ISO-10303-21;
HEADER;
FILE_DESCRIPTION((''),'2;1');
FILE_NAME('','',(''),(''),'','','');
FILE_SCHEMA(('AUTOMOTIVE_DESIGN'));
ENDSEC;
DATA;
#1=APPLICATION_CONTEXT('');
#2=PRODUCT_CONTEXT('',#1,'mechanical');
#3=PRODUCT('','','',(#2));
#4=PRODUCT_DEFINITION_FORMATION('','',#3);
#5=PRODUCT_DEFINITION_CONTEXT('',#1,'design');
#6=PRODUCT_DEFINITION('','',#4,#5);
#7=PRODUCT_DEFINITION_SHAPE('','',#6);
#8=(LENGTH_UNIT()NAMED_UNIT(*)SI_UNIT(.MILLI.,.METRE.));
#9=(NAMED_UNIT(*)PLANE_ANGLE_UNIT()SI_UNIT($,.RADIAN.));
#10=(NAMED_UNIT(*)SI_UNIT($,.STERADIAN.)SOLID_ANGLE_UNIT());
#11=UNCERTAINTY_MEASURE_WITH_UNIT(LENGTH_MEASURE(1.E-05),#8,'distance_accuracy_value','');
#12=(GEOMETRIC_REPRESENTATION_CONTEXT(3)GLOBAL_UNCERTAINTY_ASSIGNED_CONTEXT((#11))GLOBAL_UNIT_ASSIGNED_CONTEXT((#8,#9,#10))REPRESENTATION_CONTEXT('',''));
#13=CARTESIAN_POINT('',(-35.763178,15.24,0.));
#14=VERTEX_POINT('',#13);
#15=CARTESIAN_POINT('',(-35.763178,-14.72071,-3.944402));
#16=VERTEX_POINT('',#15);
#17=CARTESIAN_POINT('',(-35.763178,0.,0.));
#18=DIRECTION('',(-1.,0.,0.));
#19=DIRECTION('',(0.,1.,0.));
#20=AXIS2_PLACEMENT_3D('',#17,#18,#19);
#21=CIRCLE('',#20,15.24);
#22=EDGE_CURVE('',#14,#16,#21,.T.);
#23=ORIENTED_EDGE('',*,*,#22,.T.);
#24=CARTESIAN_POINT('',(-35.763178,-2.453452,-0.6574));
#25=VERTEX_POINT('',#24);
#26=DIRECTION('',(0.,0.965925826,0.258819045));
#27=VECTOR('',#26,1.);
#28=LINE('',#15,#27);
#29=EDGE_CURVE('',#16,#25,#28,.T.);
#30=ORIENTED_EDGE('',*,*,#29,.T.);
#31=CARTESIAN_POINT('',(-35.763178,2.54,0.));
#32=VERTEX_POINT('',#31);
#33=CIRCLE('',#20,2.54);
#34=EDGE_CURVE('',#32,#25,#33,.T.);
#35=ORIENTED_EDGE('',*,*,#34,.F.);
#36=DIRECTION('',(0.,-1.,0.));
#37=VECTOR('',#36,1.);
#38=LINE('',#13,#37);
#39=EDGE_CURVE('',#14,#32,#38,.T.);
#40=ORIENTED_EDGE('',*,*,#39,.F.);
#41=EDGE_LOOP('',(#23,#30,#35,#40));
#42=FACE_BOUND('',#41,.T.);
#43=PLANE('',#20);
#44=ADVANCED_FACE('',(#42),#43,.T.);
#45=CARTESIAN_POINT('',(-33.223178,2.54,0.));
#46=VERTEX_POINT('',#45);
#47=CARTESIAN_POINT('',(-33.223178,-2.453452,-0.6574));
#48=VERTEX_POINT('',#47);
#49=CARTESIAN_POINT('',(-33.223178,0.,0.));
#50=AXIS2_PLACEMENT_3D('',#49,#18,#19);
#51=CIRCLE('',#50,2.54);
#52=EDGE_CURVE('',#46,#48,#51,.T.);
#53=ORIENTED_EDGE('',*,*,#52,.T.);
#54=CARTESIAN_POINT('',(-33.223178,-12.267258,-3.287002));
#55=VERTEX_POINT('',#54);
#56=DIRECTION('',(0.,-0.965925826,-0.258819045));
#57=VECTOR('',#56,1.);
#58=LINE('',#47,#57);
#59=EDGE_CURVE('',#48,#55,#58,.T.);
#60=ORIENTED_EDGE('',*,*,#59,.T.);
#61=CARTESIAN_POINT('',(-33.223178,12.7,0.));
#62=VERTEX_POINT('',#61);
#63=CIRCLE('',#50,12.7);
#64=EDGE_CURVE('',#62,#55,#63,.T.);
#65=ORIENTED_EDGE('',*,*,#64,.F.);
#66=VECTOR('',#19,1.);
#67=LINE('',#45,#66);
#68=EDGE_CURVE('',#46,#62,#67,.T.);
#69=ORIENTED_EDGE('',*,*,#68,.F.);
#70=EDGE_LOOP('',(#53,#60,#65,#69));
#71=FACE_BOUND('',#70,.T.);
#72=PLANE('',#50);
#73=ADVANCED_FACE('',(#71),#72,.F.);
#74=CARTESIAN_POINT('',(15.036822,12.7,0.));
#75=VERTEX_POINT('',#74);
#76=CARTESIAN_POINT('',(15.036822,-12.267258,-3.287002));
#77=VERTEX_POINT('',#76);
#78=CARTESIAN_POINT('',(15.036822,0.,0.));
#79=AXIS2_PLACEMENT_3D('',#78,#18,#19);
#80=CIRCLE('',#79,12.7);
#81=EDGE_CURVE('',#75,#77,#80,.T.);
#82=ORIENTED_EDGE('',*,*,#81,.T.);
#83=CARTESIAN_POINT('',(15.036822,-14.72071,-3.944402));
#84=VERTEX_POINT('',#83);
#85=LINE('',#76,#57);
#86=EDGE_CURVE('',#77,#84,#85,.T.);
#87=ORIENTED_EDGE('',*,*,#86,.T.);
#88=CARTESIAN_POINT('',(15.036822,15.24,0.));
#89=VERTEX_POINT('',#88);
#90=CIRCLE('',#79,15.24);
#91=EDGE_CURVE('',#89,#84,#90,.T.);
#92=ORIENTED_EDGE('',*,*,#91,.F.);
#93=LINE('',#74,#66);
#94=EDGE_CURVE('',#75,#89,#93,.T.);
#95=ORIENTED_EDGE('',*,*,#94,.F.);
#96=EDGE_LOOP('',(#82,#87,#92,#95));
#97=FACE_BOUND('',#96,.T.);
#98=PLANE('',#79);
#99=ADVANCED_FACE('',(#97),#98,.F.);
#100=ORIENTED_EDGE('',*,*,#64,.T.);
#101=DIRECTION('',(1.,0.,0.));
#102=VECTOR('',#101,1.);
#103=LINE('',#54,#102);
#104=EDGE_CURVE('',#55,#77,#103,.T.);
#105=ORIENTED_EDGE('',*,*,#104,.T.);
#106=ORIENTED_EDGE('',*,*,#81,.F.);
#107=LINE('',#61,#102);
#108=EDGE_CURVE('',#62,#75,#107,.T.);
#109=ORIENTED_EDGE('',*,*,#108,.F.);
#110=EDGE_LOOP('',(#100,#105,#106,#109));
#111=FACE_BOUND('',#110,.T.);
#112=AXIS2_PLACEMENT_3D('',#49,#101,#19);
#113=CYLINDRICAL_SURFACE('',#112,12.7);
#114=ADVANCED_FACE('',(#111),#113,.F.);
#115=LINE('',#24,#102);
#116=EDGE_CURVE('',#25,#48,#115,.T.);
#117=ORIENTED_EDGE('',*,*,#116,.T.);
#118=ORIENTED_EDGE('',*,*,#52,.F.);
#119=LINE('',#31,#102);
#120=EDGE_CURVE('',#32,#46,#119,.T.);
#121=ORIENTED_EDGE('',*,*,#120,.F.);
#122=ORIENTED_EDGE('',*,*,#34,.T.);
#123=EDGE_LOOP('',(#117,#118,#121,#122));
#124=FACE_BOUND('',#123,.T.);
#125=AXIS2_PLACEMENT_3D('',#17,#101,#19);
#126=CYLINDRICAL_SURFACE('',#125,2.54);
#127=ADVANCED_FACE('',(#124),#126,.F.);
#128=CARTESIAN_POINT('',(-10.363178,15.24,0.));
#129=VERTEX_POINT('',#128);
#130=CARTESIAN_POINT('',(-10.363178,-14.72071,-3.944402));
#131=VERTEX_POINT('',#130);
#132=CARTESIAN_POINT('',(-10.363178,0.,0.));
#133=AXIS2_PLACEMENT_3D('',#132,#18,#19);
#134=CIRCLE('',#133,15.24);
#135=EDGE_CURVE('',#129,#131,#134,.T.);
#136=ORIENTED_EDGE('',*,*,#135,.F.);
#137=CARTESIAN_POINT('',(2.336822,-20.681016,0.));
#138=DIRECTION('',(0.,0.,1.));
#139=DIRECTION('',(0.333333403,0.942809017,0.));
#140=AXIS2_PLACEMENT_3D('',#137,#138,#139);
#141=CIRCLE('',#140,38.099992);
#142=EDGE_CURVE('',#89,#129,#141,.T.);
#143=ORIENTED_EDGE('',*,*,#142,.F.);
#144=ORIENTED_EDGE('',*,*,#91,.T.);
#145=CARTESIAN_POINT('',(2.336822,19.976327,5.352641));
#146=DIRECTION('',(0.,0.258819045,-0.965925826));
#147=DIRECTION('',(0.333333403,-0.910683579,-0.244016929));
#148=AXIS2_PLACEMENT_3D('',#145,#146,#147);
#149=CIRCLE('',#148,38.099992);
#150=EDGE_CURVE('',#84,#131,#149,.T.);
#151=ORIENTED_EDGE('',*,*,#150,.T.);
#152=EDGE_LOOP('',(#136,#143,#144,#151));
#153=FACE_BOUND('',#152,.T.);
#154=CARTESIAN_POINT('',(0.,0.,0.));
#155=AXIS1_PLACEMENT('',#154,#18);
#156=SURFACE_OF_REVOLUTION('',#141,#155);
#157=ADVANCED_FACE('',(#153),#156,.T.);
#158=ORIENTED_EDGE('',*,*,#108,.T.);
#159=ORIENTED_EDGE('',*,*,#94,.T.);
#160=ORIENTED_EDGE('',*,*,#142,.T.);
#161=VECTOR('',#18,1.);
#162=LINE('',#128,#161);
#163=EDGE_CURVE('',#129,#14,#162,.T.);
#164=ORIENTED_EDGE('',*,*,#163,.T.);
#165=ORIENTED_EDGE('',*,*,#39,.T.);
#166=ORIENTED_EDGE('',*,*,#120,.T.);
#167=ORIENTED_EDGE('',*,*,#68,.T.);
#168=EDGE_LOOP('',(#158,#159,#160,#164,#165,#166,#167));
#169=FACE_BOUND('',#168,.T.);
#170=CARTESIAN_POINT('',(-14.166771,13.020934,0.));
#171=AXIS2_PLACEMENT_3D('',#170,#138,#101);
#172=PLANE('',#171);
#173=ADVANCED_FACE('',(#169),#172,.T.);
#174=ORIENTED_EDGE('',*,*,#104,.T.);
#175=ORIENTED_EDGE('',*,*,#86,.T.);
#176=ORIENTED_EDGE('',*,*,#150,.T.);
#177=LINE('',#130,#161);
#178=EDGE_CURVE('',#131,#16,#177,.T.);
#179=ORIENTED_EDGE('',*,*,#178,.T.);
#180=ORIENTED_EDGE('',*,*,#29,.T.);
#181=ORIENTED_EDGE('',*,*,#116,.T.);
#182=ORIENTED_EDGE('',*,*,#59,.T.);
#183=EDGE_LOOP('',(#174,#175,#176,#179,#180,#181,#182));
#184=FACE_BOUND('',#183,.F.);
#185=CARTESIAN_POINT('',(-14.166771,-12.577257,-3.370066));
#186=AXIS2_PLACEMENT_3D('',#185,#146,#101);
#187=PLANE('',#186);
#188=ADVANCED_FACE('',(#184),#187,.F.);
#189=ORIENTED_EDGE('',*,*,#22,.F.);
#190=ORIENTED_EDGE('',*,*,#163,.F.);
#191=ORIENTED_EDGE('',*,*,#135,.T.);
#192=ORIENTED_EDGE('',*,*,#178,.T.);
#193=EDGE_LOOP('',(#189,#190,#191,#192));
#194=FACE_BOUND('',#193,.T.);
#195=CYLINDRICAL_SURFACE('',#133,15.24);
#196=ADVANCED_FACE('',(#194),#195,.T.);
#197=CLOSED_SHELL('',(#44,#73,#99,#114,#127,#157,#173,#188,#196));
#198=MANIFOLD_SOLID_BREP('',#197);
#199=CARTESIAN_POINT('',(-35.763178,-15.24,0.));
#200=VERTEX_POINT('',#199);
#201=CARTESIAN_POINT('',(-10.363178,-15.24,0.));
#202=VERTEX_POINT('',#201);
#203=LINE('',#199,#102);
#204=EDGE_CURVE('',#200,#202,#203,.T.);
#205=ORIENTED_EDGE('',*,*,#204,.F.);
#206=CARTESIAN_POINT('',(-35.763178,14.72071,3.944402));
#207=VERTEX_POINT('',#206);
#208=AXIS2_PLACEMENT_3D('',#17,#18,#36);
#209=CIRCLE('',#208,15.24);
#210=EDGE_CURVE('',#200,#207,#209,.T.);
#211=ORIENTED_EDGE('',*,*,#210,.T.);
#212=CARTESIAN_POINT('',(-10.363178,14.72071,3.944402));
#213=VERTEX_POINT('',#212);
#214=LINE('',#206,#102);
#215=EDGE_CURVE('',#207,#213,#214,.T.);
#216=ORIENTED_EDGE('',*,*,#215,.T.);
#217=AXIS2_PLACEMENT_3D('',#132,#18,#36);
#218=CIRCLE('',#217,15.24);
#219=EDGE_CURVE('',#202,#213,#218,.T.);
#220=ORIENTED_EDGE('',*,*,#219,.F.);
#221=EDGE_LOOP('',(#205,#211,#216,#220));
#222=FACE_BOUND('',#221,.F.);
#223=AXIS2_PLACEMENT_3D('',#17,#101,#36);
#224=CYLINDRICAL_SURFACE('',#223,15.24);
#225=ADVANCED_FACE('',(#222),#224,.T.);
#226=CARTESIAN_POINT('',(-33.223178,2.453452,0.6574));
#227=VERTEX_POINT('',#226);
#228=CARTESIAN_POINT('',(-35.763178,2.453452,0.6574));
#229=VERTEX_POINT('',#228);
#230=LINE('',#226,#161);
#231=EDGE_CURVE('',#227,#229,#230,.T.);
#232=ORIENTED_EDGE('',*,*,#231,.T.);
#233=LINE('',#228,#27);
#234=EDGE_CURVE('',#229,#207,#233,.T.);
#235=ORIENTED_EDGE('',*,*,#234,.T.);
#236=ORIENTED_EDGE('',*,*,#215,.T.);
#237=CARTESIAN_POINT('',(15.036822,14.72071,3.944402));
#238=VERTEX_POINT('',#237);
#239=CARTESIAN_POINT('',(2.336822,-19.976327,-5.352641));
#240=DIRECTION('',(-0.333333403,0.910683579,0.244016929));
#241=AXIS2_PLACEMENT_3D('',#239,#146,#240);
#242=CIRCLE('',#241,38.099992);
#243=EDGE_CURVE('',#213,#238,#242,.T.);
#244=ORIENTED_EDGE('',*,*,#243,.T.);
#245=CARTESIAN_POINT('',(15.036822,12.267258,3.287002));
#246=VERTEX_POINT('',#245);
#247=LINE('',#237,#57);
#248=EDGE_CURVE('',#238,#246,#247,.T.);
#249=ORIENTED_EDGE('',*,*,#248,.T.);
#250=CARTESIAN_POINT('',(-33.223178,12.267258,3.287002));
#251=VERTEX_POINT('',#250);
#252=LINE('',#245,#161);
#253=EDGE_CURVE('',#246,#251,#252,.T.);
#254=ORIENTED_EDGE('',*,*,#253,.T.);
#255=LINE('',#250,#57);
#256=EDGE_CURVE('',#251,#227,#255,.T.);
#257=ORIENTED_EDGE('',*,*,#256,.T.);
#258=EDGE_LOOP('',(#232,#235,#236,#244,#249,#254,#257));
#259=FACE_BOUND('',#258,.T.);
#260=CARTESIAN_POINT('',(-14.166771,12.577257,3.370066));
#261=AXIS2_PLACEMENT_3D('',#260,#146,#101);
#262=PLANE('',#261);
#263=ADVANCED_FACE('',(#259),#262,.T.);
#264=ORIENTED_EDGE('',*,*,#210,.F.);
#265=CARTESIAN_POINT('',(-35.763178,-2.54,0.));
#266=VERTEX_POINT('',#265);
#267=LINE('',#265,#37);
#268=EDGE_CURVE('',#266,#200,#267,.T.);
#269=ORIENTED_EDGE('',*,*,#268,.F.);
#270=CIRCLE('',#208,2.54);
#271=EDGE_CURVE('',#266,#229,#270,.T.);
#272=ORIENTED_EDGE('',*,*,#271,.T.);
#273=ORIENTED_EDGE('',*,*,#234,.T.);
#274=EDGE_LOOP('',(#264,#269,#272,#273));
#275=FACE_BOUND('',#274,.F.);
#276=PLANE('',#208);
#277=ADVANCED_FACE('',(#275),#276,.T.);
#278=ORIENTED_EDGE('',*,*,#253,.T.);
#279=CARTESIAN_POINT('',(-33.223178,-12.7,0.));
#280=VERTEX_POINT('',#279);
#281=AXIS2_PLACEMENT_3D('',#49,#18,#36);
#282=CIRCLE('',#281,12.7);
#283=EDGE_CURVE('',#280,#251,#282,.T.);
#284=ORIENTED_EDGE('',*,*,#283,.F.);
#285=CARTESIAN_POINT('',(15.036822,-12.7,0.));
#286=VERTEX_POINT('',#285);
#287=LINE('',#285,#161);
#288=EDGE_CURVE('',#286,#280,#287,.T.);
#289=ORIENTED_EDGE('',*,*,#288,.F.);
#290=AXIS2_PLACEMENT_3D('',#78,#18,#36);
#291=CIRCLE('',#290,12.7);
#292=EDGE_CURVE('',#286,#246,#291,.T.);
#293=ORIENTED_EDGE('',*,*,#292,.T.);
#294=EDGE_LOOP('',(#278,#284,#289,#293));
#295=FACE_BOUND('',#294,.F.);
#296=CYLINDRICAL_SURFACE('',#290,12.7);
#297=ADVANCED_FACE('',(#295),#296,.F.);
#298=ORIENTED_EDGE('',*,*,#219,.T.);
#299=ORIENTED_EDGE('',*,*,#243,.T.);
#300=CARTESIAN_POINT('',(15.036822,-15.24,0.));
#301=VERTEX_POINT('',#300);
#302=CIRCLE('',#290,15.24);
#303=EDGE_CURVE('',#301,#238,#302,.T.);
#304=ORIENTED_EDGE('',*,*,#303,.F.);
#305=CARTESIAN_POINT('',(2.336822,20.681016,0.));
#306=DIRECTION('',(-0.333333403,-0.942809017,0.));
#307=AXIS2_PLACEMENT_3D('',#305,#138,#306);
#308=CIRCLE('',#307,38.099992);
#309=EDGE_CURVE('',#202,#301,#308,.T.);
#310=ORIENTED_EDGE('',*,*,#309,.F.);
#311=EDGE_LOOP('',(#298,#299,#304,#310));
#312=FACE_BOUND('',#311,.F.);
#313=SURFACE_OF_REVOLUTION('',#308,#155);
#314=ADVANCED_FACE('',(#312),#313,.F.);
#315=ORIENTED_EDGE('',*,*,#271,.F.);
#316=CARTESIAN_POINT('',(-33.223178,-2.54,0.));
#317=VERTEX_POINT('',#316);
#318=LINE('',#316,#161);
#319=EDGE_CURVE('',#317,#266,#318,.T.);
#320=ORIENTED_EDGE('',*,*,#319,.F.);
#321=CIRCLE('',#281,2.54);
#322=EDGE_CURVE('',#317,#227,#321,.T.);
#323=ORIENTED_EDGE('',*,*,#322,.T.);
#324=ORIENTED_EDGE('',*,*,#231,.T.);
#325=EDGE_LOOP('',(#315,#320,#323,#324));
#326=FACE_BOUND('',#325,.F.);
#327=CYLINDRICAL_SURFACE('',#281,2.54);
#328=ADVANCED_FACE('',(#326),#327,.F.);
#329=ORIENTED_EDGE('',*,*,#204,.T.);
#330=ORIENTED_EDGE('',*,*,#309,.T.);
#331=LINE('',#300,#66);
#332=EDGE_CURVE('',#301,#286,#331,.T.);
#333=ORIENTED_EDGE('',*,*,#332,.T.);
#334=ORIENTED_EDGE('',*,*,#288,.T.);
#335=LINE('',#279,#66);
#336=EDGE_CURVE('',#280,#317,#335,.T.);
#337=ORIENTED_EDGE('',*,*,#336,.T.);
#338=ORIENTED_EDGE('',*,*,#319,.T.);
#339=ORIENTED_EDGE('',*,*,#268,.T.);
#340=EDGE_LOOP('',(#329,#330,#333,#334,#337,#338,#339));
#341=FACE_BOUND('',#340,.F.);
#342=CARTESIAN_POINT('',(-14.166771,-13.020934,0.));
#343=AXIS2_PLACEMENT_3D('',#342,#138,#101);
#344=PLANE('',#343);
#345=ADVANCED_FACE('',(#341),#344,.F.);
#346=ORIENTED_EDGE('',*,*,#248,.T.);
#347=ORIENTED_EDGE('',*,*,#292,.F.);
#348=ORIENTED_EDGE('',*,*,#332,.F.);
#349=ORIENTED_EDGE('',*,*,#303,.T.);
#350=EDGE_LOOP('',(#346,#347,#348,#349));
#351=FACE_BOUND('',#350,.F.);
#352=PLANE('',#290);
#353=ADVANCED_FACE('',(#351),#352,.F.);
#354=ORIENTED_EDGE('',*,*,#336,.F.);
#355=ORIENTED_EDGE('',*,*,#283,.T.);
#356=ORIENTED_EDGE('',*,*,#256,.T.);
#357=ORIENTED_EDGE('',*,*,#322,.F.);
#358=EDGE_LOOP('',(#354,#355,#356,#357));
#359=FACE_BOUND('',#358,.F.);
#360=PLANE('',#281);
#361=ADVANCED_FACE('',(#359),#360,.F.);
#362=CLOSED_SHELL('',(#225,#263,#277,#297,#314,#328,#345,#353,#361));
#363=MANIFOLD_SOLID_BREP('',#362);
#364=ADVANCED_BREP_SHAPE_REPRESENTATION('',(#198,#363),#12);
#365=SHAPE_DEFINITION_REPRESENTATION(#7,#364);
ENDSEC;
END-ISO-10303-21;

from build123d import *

# Parameters (mm, degrees)
F1_ANGLE = 165
F2_ANGLE = 165


with BuildPart() as f1:
    # F0 (on Top) → F1 (revolve)
    with BuildSketch(Plane.XY):
        with BuildLine():
            Line((-35.763178, 2.54), (-33.223178, 2.54))
            Line((-33.223178, 2.54), (-33.223178, 12.7))
            Line((-33.223178, 12.7), (15.036822, 12.7))
            Line((15.036822, 12.7), (15.036822, 15.24))
            ThreePointArc((15.036822, 15.24), (2.336822, 17.418976), (-10.363178, 15.24))
            Line((-10.363178, 15.24), (-35.763178, 15.24))
            Line((-35.763178, 15.24), (-35.763178, 2.54))
        make_face()
    revolve(axis=Axis((0, 0, 0), (-1, 0, 0)), revolution_arc=F1_ANGLE)


with BuildPart() as f2:
    # F0 (on Top) → F2 (revolve)
    with BuildSketch(Plane.XY):
        with BuildLine():
            Line((-33.223178, -12.7), (-33.223178, -2.54))
            Line((-33.223178, -2.54), (-35.763178, -2.54))
            Line((-35.763178, -2.54), (-35.763178, -15.24))
            Line((-35.763178, -15.24), (-10.363178, -15.24))
            ThreePointArc((-10.363178, -15.24), (2.336822, -17.418976), (15.036822, -15.24))
            Line((15.036822, -15.24), (15.036822, -12.7))
            Line((15.036822, -12.7), (-33.223178, -12.7))
        make_face()
    revolve(axis=Axis((0, 0, 0), (-1, 0, 0)), revolution_arc=F2_ANGLE)


solid = Compound([f1.part, f2.part])
